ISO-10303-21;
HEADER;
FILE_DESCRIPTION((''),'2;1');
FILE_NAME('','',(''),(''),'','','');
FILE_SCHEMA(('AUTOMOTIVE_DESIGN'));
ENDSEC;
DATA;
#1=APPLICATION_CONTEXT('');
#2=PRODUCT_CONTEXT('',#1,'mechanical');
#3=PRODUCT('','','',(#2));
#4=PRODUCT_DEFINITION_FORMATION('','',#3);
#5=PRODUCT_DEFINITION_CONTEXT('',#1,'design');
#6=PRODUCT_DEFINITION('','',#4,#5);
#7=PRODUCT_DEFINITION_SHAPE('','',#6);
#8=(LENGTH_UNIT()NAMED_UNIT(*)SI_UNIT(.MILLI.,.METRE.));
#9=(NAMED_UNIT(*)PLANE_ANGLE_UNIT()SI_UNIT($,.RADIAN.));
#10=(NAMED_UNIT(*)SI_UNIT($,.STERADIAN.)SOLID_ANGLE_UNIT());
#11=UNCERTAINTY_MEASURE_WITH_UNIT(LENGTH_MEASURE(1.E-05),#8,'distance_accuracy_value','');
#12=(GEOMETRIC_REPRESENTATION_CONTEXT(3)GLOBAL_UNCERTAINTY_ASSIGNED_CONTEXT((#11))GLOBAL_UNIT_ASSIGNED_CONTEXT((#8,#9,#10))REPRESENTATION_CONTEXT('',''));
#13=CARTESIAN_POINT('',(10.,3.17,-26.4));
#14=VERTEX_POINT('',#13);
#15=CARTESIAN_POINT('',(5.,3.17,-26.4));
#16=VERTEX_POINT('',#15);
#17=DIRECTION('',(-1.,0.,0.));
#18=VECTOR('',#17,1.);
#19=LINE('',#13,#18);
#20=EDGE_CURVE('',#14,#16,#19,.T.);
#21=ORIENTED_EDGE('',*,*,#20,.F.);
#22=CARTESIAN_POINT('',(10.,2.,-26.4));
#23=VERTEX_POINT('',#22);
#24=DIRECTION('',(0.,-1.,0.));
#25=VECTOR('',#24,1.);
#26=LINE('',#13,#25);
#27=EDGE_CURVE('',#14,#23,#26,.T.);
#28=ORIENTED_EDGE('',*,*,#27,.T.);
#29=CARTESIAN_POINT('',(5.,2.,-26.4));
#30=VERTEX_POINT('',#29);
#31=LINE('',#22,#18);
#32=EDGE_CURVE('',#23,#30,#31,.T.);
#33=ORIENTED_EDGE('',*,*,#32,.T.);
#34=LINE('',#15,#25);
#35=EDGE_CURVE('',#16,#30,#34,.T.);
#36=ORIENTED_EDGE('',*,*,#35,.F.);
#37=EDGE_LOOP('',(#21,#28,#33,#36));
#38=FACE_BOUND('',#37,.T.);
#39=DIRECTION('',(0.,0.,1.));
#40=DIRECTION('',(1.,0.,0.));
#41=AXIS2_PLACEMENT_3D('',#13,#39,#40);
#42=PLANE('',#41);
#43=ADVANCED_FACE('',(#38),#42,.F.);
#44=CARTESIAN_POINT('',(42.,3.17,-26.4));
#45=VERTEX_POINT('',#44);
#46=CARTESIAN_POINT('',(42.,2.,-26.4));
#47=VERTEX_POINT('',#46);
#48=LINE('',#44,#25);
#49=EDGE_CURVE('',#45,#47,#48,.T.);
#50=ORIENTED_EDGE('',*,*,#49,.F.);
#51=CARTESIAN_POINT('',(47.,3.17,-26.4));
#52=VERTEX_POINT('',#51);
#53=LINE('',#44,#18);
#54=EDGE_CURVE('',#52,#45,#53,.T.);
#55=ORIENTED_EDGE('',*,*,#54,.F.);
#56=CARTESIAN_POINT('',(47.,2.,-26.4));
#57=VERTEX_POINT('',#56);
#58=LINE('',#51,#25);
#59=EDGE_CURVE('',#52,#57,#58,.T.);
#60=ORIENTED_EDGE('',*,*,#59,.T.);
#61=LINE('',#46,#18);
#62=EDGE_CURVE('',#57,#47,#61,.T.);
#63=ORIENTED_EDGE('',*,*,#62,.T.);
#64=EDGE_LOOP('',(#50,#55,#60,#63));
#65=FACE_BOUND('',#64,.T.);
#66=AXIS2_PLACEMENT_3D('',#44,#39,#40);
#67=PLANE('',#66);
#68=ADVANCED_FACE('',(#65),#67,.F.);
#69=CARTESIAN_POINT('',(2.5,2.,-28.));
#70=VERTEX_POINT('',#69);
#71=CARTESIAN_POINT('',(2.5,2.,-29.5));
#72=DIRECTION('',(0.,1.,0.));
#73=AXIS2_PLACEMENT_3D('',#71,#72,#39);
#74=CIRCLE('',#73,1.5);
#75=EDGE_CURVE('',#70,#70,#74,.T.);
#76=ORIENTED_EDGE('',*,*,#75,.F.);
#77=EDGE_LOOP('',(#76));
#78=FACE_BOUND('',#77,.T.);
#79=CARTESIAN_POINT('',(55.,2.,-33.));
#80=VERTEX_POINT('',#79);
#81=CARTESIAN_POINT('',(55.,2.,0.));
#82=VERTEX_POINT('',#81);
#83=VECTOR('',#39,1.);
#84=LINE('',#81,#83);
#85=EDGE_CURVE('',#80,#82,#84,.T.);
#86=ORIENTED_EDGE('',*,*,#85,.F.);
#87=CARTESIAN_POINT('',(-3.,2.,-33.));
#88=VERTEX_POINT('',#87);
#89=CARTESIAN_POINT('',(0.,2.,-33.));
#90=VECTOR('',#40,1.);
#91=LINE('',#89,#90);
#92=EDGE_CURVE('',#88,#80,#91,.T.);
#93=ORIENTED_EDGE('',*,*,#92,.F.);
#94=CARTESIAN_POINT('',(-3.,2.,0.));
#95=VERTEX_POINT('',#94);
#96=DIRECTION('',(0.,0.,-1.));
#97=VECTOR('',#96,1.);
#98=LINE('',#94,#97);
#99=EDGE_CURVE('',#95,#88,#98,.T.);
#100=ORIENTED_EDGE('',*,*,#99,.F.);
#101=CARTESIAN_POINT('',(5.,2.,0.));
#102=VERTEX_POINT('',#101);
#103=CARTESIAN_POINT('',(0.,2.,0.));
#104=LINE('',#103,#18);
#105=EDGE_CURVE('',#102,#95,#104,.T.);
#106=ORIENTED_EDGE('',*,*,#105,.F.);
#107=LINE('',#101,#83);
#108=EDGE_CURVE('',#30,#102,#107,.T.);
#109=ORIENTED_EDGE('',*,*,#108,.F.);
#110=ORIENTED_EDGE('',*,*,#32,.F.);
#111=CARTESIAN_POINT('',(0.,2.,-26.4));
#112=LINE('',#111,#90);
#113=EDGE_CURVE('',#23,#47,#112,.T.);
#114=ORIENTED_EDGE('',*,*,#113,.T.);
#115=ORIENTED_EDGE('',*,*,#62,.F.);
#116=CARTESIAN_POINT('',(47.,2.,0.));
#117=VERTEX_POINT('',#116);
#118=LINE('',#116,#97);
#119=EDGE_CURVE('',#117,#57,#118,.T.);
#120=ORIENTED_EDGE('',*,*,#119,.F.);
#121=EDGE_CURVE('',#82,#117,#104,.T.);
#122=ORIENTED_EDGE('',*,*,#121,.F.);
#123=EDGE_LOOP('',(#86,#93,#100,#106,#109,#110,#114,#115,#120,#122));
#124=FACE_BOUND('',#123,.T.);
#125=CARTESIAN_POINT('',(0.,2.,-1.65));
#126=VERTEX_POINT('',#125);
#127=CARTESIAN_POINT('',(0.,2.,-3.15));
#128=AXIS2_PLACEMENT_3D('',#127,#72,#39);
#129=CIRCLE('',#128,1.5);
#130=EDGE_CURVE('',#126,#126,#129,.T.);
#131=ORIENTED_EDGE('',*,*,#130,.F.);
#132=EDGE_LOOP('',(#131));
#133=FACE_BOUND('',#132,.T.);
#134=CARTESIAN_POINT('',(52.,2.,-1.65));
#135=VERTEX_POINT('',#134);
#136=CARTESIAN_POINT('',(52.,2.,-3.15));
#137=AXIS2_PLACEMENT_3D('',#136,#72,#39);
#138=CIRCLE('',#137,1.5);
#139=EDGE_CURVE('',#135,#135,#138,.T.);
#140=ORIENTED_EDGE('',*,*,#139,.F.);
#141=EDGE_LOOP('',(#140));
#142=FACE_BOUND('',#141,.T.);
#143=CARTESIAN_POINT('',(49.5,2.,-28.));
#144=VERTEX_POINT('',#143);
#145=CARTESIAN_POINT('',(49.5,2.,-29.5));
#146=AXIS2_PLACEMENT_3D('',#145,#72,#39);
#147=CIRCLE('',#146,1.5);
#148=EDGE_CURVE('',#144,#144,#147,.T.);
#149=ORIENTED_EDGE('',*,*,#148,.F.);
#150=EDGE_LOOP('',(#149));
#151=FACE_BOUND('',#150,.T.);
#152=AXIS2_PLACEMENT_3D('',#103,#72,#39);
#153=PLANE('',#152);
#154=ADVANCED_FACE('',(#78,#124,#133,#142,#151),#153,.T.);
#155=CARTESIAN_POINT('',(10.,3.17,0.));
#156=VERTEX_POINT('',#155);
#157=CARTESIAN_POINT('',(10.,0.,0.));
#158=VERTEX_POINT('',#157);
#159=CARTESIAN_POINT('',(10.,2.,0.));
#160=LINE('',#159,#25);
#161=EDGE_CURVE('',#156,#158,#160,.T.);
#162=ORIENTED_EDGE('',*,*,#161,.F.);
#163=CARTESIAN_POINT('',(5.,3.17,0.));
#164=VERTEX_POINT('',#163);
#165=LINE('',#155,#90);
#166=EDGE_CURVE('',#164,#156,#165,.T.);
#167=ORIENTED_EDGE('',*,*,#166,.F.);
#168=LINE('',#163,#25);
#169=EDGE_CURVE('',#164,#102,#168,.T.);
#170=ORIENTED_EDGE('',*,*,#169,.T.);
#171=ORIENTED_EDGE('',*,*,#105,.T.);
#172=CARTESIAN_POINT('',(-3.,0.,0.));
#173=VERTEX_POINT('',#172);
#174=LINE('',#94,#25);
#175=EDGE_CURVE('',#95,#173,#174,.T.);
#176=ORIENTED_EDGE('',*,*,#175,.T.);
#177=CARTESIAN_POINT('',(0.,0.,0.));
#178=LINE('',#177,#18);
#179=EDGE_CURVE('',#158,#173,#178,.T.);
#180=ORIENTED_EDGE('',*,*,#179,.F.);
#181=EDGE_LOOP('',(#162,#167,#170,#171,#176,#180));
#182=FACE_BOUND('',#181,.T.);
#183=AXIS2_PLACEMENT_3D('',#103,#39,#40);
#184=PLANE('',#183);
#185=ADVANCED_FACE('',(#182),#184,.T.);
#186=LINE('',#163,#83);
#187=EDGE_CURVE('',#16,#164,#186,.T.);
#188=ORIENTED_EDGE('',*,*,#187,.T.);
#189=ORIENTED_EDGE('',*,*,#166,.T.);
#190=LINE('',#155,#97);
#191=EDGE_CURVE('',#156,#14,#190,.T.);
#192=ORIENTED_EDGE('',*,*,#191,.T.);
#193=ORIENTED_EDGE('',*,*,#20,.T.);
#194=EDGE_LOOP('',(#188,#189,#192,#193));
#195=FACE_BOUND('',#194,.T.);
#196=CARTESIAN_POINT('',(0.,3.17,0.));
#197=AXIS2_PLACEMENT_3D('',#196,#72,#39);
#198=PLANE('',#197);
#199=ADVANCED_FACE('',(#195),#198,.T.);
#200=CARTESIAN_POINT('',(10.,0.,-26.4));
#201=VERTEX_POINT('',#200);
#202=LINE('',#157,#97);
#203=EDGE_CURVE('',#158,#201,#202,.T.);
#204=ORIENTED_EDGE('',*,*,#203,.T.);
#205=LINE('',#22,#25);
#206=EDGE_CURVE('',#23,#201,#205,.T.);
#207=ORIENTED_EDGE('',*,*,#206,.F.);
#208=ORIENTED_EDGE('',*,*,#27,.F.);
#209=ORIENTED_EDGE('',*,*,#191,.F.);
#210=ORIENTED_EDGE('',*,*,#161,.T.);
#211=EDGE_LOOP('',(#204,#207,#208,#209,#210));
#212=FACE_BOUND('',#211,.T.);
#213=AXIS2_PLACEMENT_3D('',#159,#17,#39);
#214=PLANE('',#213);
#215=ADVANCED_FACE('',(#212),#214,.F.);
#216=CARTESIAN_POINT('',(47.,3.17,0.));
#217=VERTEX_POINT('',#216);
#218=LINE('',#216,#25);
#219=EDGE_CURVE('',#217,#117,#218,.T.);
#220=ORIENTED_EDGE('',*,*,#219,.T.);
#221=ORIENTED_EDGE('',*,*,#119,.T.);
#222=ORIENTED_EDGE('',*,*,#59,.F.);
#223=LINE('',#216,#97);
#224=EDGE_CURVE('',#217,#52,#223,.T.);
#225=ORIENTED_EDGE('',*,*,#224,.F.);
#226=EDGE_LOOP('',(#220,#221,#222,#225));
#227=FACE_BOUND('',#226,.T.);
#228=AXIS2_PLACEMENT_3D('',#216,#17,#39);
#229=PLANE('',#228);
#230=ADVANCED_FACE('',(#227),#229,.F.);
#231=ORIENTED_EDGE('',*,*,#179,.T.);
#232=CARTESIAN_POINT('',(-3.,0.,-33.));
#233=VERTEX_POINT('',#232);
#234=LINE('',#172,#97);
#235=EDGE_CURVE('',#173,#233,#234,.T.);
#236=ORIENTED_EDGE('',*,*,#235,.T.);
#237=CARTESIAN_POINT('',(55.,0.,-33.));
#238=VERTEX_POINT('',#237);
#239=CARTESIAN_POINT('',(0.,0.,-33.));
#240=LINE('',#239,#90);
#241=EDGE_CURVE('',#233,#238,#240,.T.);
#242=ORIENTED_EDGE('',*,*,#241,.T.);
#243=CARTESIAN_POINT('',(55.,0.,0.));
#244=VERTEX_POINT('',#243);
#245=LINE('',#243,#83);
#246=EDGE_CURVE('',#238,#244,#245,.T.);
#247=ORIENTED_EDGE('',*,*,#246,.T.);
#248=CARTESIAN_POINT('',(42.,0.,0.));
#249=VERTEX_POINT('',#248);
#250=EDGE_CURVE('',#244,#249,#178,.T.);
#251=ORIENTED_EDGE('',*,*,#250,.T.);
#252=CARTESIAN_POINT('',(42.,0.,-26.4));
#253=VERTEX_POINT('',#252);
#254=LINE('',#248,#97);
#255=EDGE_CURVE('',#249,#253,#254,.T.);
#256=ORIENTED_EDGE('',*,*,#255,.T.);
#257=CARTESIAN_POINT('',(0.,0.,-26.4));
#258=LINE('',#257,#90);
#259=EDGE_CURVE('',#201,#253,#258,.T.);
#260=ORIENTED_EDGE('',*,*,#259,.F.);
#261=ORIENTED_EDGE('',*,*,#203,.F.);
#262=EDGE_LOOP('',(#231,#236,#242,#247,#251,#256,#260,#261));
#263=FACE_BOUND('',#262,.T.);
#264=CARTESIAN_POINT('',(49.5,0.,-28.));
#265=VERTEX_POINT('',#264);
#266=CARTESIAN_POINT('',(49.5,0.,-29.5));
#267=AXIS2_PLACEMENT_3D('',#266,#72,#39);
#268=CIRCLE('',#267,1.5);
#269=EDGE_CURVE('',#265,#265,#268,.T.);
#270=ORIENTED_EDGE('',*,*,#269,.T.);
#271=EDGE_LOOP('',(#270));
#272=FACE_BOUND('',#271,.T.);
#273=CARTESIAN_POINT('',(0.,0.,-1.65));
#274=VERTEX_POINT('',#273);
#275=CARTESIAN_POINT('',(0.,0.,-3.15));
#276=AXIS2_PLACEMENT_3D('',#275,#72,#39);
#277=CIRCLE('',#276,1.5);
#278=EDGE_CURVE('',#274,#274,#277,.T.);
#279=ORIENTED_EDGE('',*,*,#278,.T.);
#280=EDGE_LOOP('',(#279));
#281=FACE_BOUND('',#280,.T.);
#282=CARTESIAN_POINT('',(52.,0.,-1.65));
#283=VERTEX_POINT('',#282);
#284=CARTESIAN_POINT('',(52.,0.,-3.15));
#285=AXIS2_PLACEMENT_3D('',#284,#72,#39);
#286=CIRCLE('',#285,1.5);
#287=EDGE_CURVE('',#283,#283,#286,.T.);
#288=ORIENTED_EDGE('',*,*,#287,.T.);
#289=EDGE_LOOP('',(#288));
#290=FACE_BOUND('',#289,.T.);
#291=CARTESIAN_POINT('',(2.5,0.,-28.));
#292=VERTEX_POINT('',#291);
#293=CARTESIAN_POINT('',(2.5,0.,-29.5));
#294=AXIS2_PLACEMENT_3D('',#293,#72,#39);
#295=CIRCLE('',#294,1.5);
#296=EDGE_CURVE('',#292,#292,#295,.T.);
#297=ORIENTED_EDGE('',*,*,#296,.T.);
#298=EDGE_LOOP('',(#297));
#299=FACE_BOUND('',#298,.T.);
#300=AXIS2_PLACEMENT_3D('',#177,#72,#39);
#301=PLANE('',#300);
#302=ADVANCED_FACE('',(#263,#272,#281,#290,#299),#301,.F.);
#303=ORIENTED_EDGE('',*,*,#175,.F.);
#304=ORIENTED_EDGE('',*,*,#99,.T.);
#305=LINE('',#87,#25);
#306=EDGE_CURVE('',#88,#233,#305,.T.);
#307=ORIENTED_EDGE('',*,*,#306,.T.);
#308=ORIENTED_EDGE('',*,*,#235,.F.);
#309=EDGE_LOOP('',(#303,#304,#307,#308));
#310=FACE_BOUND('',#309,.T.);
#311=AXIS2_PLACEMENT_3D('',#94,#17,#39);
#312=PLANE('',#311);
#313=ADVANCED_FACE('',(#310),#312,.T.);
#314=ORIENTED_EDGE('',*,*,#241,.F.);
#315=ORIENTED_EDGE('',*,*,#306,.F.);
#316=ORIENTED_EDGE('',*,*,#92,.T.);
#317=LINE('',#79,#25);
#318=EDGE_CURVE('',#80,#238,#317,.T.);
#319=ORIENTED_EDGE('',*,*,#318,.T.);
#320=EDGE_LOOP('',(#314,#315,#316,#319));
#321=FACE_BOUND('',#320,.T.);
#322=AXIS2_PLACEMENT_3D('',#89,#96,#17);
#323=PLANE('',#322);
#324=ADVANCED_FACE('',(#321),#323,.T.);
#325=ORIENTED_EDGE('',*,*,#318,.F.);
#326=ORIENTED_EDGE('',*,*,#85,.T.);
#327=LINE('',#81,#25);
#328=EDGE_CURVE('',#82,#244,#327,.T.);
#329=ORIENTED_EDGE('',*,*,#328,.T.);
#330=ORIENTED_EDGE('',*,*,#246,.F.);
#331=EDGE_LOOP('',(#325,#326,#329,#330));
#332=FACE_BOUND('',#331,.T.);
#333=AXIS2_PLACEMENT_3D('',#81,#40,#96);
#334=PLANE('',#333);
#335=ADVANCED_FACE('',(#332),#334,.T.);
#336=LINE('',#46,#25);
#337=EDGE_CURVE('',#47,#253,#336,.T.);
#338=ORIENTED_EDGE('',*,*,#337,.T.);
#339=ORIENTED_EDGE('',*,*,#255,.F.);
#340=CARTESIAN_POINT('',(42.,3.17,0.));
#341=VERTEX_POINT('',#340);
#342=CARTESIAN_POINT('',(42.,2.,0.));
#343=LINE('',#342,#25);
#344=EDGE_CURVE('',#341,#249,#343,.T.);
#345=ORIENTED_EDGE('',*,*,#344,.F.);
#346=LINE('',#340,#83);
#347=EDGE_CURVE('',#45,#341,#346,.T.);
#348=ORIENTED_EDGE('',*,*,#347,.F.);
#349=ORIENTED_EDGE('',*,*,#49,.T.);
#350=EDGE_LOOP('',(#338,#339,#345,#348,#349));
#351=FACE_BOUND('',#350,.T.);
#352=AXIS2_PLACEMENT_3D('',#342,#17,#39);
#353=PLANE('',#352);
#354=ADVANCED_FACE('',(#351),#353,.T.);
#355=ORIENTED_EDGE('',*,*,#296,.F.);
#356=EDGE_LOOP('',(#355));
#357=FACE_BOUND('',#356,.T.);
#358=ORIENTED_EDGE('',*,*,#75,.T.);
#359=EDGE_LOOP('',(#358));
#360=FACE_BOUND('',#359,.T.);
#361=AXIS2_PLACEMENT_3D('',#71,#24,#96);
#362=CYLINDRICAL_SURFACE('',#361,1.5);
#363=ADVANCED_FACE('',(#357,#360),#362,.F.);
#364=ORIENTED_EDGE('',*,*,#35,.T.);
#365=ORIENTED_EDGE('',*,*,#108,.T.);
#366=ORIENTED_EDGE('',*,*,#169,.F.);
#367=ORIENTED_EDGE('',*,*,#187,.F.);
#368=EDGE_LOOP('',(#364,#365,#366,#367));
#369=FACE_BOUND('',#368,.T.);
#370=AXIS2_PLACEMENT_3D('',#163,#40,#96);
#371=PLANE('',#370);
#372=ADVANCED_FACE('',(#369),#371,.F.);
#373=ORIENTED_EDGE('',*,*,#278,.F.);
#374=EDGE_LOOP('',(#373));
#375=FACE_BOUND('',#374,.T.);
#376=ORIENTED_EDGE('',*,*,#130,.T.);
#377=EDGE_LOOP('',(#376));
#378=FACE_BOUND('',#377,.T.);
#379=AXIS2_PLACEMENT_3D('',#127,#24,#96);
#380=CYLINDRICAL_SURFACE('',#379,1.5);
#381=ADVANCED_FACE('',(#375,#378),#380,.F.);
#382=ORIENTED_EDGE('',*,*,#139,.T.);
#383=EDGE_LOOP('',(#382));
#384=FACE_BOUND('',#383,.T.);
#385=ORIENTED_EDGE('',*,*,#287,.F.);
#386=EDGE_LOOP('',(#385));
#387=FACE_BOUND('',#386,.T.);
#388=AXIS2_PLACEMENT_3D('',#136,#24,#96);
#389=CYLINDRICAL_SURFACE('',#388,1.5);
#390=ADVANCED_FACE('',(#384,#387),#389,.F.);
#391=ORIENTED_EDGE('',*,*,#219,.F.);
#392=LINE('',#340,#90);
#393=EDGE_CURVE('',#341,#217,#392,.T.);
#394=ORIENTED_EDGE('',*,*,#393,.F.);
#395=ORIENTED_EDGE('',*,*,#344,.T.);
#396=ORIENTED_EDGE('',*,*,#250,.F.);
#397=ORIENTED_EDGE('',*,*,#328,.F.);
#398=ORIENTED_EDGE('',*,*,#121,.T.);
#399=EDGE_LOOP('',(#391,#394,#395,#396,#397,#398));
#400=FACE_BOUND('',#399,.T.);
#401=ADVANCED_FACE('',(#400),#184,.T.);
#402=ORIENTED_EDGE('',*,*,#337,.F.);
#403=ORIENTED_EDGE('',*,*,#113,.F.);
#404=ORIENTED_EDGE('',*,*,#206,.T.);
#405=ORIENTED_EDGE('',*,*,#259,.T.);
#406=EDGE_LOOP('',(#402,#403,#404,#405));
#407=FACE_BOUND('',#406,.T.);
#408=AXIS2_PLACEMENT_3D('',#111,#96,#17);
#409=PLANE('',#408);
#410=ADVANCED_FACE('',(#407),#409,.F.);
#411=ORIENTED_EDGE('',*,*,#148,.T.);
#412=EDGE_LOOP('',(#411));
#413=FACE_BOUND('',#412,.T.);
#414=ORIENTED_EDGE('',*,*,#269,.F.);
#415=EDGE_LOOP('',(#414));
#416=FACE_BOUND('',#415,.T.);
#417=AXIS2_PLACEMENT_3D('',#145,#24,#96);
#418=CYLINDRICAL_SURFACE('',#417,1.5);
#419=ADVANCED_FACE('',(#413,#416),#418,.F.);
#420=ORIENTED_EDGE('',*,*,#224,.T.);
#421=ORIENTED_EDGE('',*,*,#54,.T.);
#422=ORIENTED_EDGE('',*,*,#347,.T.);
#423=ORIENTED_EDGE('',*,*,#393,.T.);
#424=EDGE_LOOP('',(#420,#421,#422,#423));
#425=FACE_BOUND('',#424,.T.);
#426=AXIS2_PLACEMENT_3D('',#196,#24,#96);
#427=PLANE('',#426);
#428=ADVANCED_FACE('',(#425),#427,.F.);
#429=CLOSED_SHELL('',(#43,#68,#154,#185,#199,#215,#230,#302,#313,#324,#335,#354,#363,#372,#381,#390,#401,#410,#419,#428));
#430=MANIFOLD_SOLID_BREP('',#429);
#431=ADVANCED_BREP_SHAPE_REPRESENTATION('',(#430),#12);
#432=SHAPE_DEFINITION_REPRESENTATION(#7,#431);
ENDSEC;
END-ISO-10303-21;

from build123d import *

# Parameters (mm, degrees)
SKETCH1_R           = 1.5
BOSS_EXTRUDE1_DEPTH = 2
SKETCH2_W           = 5
SKETCH2_H           = 26.4
BOSS_EXTRUDE2_DEPTH = 1.17


with BuildPart() as part:
    # Sketch1 → Boss-Extrude1 (new body)
    with BuildSketch(Plane(origin=(0, 0, 0), x_dir=(1, 0, 0), z_dir=(0, 1, 0))):
        Polygon((-3, 0), (0, 0), (10, 0), (10, 26.4), (42, 26.4), (42, 0), (52, 0), (55, 0), (55, 33), (-3, 33), align=None)
        with Locations(Location((0, 3.15, 0), (0, 0, 270))):
            Circle(SKETCH1_R, mode=Mode.SUBTRACT)
        with BuildLine():
            ThreePointArc((53.5, 3.15), (53.060660172, 2.089339828), (52, 1.65))
            ThreePointArc((52, 1.65), (50.939339828, 4.210660172), (53.5, 3.15))
        make_face(mode=Mode.SUBTRACT)
        with Locations(Location((2.5, 29.5, 0), (0, 0, 270))):
            Circle(SKETCH1_R, mode=Mode.SUBTRACT)
        with Locations(Location((49.5, 29.5, 0), (0, 0, 270))):
            Circle(SKETCH1_R, mode=Mode.SUBTRACT)
    extrude(amount=BOSS_EXTRUDE1_DEPTH)

    # Sketch2 → Boss-Extrude2 (add)
    with BuildSketch(Plane(origin=(0, 2, 0), x_dir=(1, 0, 0), z_dir=(0, 1, 0))):
        with Locations((7.5, 13.2)):
            Rectangle(SKETCH2_W, SKETCH2_H)
        with Locations((44.5, 13.2)):
            Rectangle(SKETCH2_W, SKETCH2_H)
    extrude(amount=BOSS_EXTRUDE2_DEPTH)


solid = part.part
